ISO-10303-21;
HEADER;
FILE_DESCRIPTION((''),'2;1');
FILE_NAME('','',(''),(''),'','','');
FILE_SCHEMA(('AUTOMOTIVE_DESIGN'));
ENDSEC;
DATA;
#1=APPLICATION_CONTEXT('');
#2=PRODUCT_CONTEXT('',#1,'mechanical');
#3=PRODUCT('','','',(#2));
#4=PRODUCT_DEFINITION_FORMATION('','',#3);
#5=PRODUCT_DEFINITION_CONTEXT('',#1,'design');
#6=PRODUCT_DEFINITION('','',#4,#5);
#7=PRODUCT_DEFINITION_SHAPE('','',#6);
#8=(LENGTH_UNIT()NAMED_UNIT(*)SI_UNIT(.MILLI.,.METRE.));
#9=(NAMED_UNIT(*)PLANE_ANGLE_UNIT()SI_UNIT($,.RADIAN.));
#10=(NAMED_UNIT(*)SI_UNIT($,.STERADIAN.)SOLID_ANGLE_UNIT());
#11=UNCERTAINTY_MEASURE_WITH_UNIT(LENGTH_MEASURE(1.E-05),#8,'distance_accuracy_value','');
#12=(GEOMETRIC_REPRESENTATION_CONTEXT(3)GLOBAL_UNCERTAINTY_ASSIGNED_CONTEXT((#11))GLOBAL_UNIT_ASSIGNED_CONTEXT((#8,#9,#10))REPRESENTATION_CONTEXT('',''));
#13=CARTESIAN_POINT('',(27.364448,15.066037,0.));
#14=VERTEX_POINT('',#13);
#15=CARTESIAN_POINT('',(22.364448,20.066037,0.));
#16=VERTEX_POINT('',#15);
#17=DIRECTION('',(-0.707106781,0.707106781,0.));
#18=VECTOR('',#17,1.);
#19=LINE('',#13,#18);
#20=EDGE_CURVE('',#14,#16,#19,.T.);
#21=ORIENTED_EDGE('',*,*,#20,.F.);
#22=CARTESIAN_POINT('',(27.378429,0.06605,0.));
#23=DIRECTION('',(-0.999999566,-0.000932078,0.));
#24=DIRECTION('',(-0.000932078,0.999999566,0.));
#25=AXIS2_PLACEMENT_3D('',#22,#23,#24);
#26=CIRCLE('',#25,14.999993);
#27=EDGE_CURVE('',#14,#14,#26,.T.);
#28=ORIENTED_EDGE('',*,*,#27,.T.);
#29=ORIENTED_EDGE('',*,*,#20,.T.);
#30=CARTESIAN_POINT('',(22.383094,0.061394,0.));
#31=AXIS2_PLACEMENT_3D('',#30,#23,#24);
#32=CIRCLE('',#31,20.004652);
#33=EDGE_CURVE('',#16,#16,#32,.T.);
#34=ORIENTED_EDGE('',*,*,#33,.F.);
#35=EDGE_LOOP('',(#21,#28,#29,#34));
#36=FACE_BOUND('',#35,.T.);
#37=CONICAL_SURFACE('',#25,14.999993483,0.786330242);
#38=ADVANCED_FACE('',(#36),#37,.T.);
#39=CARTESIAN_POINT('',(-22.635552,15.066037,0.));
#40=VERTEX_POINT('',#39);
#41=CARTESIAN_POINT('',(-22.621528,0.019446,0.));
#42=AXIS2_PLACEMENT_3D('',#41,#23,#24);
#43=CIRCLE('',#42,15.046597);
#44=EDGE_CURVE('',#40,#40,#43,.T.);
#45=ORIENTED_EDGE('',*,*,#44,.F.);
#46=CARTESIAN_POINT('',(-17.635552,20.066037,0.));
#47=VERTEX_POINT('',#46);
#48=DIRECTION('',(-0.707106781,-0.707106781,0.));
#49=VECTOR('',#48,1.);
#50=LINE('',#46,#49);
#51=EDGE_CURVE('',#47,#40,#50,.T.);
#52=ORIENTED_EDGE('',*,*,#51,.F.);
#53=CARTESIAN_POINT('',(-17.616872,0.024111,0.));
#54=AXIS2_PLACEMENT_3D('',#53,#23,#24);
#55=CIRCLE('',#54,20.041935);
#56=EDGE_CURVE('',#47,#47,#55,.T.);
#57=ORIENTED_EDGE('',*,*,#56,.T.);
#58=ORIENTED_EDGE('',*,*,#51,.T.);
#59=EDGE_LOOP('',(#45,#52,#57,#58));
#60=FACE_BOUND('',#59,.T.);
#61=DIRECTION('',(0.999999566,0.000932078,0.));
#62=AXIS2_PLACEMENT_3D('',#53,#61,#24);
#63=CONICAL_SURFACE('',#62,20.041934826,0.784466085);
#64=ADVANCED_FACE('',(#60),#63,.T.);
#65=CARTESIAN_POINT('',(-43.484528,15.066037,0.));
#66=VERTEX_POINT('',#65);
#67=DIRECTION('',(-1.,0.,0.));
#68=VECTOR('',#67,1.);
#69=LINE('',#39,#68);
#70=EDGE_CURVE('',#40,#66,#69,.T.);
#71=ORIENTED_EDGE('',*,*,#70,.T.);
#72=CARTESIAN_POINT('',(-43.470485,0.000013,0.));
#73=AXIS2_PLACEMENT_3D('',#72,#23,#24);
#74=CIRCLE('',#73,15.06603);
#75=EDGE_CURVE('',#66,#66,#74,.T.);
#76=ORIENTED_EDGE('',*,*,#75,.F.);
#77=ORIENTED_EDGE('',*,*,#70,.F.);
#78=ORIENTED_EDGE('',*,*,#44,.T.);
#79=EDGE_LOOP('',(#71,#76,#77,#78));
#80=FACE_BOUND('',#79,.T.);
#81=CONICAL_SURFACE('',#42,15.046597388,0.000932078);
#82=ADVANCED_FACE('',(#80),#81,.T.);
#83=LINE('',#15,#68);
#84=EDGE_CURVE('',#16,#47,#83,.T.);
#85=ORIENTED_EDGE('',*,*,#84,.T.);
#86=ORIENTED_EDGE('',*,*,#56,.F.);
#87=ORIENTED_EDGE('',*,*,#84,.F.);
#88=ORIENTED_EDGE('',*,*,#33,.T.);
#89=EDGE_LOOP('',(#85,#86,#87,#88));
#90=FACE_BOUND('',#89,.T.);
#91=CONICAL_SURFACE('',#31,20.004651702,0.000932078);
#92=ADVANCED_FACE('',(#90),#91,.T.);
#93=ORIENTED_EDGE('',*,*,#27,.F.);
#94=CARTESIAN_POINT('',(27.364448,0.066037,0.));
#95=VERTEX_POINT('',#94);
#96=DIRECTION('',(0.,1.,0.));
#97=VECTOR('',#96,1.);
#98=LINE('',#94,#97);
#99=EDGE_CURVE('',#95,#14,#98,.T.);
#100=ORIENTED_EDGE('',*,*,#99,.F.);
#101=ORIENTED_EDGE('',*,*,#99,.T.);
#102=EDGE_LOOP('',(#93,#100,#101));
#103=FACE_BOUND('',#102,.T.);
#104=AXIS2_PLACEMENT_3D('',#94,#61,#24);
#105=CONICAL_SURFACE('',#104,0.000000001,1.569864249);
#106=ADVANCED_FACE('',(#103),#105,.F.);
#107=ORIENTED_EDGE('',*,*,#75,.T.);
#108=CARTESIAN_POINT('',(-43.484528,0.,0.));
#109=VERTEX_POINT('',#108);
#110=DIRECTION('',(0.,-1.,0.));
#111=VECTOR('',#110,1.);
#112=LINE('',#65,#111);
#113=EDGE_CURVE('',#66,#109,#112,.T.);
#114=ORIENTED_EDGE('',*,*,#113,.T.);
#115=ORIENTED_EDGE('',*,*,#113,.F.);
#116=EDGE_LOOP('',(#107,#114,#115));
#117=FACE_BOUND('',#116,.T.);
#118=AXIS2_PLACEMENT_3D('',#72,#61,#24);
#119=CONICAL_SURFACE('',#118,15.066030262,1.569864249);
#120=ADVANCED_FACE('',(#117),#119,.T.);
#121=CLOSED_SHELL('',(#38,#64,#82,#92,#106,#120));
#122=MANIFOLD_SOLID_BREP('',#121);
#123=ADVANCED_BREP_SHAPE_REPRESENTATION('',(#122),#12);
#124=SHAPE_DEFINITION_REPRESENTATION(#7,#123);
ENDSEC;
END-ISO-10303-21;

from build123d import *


with BuildPart() as f1:
    # F0 (on Top) → F1 (revolve)
    with BuildSketch(Plane.XY):
        Polygon((22.3644477874, 20.0660368055), (-17.6355522126, 20.0660368055), (-22.6355522126, 15.0660368055), (-43.4845276177, 15.0660368055), (-43.4845276177, 0), (27.3644477874, 0.0660368055), (27.3644477874, 15.0660368055), align=None)
    revolve(axis=Axis((-8.0600399151, 0.0330184028, 0), (-0.9999995656, -0.0009320781, 0)))


solid = f1.part
